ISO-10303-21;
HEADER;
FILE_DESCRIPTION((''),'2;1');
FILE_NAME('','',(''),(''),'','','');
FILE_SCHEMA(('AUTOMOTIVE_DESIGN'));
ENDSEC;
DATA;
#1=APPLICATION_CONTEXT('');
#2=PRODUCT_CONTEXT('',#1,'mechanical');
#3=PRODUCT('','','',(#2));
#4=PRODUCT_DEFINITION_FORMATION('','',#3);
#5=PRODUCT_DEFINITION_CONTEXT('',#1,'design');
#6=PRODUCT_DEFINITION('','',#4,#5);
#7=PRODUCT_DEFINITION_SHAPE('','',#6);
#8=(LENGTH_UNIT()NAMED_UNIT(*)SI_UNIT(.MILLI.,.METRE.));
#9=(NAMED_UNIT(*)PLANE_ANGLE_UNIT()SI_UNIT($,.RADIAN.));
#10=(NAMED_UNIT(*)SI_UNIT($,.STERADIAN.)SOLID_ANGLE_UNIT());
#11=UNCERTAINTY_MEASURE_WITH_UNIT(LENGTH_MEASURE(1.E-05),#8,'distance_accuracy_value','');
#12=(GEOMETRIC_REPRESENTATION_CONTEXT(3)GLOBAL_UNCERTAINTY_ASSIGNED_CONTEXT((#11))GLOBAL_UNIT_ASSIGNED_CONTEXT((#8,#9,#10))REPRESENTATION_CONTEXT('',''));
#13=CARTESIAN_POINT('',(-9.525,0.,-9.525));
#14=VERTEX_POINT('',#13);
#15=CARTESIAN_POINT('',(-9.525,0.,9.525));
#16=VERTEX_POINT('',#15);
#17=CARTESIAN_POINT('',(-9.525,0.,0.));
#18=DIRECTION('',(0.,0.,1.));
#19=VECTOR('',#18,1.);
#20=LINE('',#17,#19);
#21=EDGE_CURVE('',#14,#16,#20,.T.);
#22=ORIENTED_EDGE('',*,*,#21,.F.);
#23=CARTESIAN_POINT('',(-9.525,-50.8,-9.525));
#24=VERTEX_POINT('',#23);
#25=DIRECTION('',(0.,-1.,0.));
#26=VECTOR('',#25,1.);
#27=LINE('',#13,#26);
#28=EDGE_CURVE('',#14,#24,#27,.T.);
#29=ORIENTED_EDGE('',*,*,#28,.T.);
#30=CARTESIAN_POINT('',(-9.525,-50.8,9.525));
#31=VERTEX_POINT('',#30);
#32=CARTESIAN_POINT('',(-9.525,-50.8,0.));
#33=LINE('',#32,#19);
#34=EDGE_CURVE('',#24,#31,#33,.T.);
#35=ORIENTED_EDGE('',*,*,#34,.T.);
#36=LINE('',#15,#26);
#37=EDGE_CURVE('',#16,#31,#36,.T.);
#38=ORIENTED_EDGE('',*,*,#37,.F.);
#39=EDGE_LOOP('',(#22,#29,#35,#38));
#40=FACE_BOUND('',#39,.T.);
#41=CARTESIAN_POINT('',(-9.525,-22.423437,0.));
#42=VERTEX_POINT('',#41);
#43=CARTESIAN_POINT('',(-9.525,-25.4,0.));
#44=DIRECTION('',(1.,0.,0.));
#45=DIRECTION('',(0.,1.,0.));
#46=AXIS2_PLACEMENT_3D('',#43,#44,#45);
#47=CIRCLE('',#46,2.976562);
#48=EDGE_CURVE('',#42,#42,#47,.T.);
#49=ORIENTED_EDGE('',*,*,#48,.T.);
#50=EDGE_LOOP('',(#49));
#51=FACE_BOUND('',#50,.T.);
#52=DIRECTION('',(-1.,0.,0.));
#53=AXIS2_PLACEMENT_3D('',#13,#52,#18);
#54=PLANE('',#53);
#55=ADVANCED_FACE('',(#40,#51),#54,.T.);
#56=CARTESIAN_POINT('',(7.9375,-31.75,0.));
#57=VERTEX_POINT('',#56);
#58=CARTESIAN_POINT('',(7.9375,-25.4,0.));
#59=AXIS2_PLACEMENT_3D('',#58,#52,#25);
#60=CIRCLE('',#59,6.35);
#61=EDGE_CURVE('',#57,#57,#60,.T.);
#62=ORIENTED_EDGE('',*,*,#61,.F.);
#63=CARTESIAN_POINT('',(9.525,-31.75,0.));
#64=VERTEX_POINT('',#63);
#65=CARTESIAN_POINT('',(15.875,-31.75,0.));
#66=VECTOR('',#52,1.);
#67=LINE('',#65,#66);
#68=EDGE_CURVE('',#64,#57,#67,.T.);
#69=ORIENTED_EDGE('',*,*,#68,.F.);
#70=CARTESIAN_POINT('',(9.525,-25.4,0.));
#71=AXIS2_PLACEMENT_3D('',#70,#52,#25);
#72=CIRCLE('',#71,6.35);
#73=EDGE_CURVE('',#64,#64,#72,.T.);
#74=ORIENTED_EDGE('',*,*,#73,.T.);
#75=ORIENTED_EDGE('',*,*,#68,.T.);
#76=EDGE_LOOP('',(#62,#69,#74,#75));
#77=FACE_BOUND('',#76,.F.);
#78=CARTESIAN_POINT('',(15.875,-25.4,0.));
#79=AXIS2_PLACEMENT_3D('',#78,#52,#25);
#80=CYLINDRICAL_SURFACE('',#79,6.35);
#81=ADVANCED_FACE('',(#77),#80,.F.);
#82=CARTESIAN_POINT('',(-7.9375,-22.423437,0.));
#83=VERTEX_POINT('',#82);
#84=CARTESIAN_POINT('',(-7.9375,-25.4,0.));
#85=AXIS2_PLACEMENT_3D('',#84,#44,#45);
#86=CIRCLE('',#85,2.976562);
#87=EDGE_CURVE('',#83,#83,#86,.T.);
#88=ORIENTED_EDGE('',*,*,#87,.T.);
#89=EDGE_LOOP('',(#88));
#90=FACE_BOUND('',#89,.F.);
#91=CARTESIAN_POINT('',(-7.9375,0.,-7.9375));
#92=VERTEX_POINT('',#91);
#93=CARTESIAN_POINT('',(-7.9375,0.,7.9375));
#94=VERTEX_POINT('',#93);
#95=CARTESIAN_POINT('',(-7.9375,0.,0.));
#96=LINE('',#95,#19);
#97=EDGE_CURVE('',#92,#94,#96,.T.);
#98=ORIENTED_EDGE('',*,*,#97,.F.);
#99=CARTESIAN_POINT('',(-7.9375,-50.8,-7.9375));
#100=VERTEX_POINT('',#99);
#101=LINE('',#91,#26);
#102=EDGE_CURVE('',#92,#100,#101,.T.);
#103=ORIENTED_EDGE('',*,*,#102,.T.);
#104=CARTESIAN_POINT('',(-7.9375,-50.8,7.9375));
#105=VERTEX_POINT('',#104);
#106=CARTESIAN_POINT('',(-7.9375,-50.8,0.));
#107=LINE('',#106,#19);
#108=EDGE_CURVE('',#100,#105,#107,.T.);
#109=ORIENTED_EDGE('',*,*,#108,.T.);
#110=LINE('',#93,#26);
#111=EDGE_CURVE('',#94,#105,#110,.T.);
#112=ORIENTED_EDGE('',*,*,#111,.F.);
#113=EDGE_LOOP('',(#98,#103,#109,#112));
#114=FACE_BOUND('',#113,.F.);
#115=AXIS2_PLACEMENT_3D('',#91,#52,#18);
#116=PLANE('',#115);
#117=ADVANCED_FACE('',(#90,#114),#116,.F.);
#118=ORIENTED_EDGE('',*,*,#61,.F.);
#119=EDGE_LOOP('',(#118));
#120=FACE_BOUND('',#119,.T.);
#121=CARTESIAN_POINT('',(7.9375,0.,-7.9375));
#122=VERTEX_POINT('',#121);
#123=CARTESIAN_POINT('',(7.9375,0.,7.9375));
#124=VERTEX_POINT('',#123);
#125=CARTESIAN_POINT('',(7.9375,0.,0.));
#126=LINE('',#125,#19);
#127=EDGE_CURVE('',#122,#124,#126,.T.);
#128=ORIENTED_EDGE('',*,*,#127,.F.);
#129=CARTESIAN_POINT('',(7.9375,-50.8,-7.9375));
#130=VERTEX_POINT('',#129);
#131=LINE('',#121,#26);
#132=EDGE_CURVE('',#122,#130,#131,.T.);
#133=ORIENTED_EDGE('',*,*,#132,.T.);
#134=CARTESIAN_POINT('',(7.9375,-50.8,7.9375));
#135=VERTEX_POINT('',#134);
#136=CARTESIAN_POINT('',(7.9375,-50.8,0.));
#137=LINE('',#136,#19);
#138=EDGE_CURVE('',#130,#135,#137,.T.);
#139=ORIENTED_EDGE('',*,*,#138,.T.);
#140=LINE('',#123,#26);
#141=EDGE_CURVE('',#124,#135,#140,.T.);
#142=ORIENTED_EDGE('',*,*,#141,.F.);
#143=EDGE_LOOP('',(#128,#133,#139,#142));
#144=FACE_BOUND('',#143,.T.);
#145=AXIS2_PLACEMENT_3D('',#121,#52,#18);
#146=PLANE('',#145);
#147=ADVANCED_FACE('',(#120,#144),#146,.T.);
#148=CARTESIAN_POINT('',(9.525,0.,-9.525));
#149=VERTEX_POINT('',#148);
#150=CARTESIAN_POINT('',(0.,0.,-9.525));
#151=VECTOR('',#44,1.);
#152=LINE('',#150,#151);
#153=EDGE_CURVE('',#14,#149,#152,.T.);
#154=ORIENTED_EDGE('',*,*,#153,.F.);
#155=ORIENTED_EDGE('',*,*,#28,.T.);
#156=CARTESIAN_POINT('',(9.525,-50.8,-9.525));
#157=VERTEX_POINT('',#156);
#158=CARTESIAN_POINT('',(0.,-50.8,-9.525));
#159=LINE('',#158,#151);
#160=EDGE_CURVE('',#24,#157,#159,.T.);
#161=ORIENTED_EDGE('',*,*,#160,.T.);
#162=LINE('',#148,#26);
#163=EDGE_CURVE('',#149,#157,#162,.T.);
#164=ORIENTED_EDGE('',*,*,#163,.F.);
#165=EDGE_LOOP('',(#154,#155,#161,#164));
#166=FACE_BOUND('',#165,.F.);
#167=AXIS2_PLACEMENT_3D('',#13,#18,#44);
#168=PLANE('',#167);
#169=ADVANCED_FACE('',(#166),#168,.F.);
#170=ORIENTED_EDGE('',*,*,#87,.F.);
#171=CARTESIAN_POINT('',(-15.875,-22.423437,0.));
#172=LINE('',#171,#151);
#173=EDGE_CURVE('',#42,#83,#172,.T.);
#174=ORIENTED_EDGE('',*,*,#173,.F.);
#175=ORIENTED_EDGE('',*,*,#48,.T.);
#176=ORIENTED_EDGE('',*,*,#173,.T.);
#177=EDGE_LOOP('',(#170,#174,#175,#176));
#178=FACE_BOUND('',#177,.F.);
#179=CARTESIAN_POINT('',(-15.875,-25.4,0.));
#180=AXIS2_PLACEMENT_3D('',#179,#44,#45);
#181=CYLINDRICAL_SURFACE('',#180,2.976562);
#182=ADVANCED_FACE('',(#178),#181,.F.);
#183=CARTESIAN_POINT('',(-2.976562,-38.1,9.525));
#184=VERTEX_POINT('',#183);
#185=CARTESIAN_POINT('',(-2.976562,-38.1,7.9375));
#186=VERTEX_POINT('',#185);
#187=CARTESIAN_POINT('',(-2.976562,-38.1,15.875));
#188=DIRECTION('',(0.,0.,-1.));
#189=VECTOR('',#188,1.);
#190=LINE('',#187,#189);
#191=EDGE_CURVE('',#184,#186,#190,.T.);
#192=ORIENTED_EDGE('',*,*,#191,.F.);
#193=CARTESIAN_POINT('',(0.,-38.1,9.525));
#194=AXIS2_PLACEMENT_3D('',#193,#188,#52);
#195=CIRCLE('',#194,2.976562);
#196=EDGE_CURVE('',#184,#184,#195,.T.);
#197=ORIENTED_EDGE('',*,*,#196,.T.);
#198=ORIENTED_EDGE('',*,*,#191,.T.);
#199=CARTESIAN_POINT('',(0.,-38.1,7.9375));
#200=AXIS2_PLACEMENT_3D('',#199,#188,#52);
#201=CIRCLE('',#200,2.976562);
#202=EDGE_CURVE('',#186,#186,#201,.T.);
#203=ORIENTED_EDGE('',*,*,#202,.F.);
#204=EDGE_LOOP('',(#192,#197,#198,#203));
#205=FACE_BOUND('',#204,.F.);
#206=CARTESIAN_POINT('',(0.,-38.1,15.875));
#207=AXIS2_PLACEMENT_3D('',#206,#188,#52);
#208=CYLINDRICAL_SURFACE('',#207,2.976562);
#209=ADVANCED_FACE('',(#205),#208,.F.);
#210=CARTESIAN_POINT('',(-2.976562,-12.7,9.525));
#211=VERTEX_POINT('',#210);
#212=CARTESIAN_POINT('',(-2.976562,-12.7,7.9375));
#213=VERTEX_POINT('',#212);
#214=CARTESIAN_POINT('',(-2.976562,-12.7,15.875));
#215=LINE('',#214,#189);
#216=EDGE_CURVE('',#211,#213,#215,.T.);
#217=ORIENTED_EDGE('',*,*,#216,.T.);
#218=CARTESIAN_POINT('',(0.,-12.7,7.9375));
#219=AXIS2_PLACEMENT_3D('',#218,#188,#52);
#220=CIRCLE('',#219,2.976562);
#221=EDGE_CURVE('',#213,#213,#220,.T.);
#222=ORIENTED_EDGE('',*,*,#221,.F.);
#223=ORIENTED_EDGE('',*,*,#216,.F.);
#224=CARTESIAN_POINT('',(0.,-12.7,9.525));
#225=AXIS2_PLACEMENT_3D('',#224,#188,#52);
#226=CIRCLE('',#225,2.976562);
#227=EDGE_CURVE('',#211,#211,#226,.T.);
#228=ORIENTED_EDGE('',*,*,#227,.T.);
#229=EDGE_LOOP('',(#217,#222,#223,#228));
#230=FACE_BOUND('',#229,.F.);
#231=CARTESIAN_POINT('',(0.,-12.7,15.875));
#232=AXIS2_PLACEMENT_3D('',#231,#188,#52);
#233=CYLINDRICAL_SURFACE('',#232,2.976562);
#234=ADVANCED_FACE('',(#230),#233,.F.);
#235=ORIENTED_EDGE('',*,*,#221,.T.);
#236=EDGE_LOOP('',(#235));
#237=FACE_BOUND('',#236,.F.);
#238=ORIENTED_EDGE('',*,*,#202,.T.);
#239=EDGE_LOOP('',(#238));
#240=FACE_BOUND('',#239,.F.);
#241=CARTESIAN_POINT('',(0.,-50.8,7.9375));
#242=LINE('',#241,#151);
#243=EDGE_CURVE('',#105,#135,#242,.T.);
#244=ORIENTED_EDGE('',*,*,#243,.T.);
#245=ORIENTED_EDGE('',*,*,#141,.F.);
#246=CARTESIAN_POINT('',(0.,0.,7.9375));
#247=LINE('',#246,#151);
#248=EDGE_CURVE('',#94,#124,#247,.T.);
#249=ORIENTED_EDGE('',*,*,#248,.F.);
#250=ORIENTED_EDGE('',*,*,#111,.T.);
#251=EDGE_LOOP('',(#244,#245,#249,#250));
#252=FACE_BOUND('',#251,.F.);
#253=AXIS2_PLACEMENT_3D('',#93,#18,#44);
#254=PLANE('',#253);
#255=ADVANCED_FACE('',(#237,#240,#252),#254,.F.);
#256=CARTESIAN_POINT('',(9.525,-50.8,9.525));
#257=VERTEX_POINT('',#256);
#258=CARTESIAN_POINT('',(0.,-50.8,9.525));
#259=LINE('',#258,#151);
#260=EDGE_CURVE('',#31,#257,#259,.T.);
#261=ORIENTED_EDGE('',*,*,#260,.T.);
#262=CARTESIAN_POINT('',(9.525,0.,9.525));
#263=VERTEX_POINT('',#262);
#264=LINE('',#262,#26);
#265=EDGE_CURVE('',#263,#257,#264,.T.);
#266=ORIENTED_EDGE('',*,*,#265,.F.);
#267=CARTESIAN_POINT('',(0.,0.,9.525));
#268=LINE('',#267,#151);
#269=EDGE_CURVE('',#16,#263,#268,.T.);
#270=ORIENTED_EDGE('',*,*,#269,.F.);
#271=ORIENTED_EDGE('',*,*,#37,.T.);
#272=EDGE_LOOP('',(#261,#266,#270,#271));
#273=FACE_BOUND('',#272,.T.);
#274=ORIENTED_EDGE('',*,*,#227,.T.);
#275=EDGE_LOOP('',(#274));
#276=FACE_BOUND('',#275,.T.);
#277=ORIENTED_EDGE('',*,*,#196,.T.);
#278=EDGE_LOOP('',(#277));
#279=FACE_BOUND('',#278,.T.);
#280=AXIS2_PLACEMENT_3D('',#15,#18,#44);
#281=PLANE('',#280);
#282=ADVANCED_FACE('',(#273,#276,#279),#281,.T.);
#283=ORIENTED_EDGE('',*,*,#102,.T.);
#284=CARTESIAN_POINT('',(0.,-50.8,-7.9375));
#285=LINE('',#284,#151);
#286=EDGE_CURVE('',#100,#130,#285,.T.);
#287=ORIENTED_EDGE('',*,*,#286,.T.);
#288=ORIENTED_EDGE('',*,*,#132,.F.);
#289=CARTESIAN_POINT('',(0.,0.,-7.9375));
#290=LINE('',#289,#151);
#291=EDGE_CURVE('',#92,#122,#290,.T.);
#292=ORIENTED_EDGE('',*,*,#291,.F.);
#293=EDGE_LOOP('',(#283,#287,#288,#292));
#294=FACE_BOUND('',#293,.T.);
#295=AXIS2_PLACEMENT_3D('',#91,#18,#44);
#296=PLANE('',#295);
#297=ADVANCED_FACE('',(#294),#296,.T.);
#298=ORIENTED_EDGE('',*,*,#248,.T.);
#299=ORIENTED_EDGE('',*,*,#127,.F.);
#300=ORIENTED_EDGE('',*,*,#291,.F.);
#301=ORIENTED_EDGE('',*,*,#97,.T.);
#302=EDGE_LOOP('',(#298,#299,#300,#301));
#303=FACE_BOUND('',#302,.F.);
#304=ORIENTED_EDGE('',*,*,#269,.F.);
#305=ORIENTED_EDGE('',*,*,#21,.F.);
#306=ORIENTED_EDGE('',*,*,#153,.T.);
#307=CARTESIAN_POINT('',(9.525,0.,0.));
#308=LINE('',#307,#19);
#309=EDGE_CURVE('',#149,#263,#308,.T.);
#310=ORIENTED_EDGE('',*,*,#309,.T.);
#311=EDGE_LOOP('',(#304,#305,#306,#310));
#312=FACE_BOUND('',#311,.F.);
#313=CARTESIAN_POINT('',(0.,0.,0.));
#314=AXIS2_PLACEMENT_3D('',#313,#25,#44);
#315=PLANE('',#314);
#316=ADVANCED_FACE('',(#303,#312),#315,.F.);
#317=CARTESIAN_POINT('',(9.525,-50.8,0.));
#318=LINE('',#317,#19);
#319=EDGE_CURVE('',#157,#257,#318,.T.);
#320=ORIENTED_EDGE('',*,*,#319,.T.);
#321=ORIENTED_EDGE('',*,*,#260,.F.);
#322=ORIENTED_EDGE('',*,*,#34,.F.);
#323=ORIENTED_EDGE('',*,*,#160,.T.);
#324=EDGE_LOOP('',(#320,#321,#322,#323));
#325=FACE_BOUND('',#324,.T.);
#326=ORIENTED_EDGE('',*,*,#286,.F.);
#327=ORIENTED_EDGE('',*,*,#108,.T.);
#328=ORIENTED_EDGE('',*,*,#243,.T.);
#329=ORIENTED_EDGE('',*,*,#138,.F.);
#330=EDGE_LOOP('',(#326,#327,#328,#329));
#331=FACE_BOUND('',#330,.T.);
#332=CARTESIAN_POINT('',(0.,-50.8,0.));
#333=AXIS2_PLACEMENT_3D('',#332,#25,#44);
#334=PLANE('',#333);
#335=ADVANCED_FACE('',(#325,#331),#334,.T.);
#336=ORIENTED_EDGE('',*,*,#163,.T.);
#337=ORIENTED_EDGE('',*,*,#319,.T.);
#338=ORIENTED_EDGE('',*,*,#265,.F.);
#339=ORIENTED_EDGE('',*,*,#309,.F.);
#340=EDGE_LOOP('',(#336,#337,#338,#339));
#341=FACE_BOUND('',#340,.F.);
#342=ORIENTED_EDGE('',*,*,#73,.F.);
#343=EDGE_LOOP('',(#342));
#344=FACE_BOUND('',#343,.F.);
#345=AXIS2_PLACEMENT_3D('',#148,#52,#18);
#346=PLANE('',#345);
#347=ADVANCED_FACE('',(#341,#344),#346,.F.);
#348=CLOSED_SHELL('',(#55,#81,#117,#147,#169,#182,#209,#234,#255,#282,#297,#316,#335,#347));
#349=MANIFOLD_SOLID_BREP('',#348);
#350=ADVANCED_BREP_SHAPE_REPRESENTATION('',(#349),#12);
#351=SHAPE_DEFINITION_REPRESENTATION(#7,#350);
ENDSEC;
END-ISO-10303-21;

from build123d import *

# Parameters (mm, degrees)
F0_W     = 19.05
F0_H     = 19.05
F0_W_2   = 15.875
F0_H_2   = 15.875
F1_DEPTH = 50.8
F3_D     = 5.953125
F3_DEPTH = 6.35
F5_D     = 12.7
F5_DEPTH = 6.35
F7_D     = 5.953125
F7_DEPTH = 6.35


with BuildPart() as f1:
    # F0 (on Front) → F1 (new body)
    with BuildSketch(Plane.XZ):
        Rectangle(F0_W, F0_H)
        Rectangle(F0_W_2, F0_H_2, mode=Mode.SUBTRACT)
    extrude(amount=F1_DEPTH)

    # F3
    with Locations(Plane(origin=(-9.525, 0, 0), x_dir=(0, -1, 0), z_dir=(-1, 0, 0))):
        with Locations((25.4, 0)):
            Hole(F3_D / 2, depth=F3_DEPTH)

    # F5
    with Locations(Plane.YZ.offset(9.525)):
        with Locations((-25.4, 0)):
            Hole(F5_D / 2, depth=F5_DEPTH)

    # F7
    with Locations(Plane.XY.offset(9.525)):
        with Locations((0, -12.7), (0, -38.1)):
            Hole(F7_D / 2, depth=F7_DEPTH)


solid = f1.part
